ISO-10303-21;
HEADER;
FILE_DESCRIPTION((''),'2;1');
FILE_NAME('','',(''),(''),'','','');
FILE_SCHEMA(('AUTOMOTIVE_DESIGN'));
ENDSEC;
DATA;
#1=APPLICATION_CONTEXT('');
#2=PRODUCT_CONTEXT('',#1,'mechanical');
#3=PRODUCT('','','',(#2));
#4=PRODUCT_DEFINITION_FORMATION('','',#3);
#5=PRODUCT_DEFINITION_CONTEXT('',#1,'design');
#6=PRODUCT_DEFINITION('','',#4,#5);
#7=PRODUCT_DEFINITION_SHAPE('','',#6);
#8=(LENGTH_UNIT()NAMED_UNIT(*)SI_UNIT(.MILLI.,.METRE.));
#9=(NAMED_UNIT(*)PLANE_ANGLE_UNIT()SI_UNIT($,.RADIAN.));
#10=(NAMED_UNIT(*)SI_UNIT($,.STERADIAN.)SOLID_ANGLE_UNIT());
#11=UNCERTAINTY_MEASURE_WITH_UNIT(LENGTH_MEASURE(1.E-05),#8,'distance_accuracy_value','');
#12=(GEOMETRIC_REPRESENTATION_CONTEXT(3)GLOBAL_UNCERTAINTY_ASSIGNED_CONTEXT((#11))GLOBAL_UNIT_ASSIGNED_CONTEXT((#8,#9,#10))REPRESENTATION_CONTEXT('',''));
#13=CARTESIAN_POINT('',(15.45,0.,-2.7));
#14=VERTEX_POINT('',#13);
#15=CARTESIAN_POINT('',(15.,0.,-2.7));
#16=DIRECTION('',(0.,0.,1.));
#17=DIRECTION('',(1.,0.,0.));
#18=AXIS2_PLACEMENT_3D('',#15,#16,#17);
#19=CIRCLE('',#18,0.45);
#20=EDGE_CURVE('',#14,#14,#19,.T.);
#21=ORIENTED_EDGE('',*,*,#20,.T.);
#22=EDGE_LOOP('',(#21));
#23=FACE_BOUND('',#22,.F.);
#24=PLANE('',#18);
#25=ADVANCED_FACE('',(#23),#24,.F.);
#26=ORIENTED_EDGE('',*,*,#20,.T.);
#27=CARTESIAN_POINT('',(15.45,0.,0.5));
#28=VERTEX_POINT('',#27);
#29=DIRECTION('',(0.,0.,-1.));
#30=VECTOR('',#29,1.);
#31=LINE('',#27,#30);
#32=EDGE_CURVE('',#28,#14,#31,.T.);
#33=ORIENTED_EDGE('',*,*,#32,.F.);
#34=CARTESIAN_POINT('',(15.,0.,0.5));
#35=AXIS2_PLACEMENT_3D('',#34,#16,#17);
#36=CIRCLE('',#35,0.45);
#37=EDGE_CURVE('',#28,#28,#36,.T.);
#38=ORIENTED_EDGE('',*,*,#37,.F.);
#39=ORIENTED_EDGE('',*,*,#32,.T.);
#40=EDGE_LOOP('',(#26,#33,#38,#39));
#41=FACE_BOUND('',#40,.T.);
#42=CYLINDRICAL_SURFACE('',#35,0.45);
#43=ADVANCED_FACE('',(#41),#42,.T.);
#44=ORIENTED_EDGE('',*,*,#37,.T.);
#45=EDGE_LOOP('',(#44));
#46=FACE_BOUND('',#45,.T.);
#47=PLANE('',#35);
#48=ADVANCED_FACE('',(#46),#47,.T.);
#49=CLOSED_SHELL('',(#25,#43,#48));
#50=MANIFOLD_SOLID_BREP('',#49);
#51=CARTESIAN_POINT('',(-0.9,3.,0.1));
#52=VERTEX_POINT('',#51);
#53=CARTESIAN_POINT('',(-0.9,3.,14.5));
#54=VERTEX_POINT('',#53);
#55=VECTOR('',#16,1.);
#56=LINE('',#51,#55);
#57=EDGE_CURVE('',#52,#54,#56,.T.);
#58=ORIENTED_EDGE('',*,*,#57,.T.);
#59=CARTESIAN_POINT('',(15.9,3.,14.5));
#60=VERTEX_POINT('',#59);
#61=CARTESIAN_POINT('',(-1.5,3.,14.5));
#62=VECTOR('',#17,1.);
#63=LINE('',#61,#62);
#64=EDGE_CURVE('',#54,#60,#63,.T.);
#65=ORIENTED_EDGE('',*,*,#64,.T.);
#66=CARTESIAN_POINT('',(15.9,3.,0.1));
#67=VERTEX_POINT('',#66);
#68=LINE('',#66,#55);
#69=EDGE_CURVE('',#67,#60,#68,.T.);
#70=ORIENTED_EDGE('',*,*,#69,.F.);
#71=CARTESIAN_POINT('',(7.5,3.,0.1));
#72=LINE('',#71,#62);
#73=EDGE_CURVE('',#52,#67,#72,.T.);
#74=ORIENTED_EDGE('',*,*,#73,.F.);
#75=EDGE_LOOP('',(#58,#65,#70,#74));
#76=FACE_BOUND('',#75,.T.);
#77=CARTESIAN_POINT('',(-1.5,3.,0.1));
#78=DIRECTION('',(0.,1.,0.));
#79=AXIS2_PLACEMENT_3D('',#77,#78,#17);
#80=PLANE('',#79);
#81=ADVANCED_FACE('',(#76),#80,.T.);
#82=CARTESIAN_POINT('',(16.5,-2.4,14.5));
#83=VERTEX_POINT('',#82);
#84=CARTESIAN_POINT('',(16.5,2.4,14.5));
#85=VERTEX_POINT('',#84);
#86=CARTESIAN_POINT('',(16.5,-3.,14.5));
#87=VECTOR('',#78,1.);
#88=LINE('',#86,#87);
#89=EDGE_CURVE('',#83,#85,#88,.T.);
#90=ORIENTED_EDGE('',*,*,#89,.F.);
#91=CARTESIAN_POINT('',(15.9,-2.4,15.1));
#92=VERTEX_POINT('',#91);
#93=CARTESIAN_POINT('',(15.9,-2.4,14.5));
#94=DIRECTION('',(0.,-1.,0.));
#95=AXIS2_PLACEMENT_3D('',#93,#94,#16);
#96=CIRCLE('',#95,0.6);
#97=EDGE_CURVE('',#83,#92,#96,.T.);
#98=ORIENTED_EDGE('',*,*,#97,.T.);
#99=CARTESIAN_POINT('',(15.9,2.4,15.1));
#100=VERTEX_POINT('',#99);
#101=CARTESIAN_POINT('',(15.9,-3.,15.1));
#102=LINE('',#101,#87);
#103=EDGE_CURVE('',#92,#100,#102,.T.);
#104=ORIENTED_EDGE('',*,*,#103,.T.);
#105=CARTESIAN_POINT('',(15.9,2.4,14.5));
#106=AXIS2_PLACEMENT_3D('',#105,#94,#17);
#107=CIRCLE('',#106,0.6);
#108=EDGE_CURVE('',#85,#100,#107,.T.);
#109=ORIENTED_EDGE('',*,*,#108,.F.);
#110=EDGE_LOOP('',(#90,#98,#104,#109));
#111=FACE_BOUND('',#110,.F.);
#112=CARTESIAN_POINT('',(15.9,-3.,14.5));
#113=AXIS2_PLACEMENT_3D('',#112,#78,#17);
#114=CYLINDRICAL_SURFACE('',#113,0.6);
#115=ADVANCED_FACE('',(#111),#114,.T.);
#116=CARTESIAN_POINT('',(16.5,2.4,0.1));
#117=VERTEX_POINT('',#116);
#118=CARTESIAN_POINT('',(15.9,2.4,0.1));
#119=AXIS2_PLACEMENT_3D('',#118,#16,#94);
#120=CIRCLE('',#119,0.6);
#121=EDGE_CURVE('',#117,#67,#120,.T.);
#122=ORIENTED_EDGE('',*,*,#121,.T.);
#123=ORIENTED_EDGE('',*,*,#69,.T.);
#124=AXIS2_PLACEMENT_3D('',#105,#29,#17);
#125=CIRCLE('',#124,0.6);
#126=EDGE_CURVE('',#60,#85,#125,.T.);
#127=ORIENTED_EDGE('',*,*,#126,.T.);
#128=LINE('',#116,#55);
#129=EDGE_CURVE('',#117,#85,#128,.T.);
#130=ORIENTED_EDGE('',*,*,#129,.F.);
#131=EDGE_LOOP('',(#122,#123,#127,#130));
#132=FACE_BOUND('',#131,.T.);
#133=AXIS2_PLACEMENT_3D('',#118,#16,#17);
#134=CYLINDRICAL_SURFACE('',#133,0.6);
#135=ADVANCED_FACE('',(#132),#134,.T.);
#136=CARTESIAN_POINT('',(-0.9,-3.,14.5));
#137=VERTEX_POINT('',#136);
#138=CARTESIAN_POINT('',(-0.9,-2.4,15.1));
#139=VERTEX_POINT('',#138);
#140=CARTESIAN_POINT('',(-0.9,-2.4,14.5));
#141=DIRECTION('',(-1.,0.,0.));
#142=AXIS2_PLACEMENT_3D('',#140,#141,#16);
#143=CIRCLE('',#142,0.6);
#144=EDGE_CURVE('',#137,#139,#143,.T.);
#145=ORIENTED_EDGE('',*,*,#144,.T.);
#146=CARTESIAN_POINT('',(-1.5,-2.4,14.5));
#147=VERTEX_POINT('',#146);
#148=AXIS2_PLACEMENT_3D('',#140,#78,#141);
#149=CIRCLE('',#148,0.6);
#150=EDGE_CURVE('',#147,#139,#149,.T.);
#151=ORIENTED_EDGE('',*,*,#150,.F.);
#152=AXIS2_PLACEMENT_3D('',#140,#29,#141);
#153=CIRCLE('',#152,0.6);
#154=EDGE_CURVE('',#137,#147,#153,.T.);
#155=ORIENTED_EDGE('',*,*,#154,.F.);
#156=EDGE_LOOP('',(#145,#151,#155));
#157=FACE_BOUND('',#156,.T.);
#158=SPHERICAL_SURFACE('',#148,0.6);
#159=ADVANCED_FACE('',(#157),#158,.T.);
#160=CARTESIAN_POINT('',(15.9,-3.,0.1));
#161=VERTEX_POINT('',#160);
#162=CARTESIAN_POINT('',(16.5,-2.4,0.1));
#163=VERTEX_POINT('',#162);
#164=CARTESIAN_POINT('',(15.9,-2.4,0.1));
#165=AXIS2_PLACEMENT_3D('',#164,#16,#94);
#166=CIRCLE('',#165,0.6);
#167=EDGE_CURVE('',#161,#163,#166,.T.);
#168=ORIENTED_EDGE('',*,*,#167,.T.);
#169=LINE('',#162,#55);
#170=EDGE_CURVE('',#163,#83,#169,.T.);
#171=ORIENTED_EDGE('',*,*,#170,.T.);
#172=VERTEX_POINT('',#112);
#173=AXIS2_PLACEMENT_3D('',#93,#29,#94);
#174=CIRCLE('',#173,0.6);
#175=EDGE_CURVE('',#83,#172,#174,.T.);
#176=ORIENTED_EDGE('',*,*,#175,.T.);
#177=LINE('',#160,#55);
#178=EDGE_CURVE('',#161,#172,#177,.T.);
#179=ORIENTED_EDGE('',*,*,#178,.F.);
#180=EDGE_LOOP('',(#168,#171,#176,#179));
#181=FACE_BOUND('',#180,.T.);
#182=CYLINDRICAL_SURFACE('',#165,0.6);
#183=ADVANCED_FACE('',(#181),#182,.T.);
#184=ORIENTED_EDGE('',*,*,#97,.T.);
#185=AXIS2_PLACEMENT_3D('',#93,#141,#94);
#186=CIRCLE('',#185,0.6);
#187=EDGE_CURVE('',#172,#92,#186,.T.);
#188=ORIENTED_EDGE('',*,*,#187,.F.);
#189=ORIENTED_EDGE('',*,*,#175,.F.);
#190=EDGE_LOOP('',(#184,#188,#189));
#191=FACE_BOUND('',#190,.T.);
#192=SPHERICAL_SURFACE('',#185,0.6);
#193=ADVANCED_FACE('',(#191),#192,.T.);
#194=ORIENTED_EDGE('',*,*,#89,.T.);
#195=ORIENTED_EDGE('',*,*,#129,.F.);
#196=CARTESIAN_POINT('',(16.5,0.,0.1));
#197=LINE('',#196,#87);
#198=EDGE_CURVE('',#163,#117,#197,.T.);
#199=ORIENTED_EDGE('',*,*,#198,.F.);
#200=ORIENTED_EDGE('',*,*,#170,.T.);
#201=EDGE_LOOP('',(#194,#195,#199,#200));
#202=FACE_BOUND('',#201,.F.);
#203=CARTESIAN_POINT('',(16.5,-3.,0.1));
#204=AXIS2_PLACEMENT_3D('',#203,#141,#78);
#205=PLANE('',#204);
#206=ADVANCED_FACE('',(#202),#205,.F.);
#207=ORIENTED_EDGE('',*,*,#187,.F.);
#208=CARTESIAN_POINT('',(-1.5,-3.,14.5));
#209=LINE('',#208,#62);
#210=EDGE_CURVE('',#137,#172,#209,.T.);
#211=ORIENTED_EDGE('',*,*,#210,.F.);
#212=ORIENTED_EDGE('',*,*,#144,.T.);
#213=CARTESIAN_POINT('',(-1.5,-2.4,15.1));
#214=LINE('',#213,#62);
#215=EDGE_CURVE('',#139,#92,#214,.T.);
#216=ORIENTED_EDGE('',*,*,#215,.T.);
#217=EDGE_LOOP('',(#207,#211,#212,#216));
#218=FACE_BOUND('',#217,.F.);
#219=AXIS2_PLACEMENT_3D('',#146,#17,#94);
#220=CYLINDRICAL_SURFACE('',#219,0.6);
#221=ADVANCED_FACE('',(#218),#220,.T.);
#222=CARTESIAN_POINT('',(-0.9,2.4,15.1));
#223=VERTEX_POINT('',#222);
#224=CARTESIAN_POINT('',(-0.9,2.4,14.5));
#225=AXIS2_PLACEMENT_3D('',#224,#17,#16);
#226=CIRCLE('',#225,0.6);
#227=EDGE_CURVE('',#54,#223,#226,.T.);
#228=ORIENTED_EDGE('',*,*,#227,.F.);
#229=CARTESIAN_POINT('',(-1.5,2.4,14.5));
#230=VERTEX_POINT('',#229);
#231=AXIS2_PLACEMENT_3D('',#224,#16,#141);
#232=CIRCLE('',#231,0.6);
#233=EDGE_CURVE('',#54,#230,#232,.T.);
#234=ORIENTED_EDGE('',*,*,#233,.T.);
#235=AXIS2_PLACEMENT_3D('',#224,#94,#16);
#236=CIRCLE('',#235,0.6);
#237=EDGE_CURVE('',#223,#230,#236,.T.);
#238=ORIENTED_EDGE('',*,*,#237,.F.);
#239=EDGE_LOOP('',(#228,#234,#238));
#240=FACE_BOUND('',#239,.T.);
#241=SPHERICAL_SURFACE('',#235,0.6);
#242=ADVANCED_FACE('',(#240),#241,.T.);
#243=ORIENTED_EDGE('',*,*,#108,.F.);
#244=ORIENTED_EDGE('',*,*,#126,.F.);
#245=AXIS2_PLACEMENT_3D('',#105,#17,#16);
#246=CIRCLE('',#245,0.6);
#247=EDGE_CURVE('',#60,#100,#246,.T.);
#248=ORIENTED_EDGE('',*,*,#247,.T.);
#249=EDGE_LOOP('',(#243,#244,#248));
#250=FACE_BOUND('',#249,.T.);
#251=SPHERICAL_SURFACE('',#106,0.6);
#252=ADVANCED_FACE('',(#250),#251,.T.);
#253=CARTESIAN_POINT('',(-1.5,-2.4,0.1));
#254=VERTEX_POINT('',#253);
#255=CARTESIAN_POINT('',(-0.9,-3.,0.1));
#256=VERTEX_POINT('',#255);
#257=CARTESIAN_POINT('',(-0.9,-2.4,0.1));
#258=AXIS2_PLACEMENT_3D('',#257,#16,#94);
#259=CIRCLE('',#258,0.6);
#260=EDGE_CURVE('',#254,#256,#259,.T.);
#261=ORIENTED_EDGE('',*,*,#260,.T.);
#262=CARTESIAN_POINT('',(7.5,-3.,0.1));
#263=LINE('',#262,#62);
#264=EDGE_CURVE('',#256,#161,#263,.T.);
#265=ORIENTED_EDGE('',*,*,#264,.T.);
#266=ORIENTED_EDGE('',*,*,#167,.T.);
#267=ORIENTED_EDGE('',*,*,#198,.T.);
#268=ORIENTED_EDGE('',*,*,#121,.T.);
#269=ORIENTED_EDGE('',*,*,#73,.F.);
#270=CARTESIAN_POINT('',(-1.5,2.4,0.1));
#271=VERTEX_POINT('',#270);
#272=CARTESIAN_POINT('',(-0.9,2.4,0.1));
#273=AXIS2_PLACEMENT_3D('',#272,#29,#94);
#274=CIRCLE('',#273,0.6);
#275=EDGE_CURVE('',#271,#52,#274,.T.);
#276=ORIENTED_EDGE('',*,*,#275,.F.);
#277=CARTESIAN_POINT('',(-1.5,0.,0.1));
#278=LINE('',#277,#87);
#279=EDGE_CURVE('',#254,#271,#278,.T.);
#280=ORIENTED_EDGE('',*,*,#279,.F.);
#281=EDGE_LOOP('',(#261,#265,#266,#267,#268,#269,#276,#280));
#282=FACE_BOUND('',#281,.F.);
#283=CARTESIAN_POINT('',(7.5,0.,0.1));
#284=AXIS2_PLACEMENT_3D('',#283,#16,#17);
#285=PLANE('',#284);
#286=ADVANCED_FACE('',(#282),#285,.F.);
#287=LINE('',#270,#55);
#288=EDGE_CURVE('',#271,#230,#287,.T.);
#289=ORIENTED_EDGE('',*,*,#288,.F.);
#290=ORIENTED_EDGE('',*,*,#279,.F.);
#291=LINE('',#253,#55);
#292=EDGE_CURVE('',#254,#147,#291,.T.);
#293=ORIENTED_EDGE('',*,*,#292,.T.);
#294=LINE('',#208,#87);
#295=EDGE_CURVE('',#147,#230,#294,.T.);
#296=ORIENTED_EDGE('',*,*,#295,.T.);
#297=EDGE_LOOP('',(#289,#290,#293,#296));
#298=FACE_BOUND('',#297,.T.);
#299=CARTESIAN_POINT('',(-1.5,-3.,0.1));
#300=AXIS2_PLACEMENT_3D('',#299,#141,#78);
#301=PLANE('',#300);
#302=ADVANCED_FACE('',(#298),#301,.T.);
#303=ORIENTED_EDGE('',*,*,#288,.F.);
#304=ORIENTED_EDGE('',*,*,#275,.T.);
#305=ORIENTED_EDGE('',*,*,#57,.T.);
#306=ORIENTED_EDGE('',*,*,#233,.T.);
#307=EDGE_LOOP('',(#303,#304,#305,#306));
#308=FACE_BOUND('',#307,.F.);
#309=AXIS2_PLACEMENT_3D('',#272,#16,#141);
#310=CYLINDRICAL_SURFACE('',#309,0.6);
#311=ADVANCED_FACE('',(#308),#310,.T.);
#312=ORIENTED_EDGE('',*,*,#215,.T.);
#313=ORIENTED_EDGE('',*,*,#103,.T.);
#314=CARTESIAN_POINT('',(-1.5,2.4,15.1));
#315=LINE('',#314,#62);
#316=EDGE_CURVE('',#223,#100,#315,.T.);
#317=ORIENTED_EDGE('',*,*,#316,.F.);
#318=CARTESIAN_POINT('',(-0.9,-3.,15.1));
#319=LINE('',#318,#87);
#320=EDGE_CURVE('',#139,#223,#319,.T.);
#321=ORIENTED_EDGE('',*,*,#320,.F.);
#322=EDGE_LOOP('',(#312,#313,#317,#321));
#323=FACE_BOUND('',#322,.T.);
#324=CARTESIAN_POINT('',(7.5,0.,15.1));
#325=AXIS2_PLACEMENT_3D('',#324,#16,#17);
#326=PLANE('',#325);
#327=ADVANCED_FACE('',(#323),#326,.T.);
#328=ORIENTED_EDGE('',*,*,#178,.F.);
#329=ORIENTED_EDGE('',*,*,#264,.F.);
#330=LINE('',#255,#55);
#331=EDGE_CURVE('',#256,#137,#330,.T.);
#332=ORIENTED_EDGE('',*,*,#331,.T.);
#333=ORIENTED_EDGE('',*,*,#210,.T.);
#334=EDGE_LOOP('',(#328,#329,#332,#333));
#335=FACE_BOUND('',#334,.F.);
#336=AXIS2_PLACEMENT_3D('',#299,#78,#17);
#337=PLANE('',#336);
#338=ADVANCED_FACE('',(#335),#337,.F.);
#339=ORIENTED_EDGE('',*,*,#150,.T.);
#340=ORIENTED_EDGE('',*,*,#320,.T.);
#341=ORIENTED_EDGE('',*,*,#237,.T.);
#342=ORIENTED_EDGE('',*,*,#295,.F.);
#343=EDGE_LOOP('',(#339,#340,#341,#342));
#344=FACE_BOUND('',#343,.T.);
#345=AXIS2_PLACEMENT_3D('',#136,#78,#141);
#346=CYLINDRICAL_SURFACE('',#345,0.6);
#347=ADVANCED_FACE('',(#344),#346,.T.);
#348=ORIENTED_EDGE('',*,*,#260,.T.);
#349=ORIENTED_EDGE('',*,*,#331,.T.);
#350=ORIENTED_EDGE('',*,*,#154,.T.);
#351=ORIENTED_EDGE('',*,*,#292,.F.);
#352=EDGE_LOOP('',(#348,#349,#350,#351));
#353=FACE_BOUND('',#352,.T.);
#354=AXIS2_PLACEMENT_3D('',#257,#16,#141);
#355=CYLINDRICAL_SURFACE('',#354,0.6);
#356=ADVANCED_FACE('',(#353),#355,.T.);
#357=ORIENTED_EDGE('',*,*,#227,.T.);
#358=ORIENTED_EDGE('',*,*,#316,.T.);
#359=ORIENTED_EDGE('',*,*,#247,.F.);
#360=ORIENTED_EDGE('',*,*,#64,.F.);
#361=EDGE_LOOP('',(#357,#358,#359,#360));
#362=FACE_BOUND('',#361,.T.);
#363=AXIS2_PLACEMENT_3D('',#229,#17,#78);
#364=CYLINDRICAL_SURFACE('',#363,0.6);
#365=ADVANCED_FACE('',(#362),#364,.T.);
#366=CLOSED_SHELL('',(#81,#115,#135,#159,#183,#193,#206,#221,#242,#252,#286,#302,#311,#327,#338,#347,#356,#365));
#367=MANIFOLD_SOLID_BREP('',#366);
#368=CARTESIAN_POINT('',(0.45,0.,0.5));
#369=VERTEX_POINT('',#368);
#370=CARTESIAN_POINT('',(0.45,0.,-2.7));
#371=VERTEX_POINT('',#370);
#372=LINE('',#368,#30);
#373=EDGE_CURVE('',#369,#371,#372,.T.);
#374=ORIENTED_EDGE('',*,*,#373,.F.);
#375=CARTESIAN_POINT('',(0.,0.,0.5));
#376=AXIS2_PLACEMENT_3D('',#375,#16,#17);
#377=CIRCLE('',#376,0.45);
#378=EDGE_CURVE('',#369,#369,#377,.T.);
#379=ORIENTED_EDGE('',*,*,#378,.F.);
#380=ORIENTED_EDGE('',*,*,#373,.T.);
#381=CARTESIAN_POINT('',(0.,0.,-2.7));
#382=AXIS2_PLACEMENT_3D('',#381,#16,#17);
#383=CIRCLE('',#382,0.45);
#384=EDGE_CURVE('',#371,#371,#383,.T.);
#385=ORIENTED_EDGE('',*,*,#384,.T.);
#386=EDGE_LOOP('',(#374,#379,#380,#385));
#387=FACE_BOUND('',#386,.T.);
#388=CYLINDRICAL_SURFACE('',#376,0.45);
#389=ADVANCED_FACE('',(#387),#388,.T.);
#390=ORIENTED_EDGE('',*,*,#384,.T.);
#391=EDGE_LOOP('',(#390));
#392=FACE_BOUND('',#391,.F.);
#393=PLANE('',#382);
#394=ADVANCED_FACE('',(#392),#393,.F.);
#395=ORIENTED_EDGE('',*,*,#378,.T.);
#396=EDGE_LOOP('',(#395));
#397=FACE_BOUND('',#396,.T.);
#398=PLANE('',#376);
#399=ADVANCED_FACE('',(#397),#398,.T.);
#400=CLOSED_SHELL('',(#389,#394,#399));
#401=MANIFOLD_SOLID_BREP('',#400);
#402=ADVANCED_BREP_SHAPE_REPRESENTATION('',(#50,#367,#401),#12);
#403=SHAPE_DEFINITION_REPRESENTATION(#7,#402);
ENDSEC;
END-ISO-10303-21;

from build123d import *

# Parameters (mm, degrees)
SKETCH_W     = 18
SKETCH_H     = 6
PAD_DEPTH    = 15
FILLET_R     = 0.6
SKETCH001_R  = 0.45
PAD001_DEPTH = 3.2


with BuildPart() as fillet_body:
    # Sketch → Pad (new body)
    with BuildSketch(Plane.XY.offset(0.1)):
        with Locations((7.5, 0)):
            Rectangle(SKETCH_W, SKETCH_H)
    extrude(amount=PAD_DEPTH)

    # Fillet
    fillet_edges = [fillet_body.edges().sort_by_distance(p)[0] for p in [
        (-1.5, 0, 15.1),
        (-1.5, -3, 7.6),
        (7.5, -3, 15.1),
        (16.5, -3, 7.6),
        (16.5, 0, 15.1),
        (16.5, 3, 7.6),
        (7.5, 3, 15.1),
        (-1.5, 3, 7.6),
    ]]
    fillet(fillet_edges, radius=FILLET_R)


with BuildPart() as pad001:
    # Sketch001 → Pad001 (new body)
    with BuildSketch(Plane.XY.offset(0.5)):
        Circle(SKETCH001_R)
        with Locations((15, 0)):
            Circle(SKETCH001_R)
    extrude(amount=-PAD001_DEPTH)


solid = Compound([fillet_body.part, pad001.part])
